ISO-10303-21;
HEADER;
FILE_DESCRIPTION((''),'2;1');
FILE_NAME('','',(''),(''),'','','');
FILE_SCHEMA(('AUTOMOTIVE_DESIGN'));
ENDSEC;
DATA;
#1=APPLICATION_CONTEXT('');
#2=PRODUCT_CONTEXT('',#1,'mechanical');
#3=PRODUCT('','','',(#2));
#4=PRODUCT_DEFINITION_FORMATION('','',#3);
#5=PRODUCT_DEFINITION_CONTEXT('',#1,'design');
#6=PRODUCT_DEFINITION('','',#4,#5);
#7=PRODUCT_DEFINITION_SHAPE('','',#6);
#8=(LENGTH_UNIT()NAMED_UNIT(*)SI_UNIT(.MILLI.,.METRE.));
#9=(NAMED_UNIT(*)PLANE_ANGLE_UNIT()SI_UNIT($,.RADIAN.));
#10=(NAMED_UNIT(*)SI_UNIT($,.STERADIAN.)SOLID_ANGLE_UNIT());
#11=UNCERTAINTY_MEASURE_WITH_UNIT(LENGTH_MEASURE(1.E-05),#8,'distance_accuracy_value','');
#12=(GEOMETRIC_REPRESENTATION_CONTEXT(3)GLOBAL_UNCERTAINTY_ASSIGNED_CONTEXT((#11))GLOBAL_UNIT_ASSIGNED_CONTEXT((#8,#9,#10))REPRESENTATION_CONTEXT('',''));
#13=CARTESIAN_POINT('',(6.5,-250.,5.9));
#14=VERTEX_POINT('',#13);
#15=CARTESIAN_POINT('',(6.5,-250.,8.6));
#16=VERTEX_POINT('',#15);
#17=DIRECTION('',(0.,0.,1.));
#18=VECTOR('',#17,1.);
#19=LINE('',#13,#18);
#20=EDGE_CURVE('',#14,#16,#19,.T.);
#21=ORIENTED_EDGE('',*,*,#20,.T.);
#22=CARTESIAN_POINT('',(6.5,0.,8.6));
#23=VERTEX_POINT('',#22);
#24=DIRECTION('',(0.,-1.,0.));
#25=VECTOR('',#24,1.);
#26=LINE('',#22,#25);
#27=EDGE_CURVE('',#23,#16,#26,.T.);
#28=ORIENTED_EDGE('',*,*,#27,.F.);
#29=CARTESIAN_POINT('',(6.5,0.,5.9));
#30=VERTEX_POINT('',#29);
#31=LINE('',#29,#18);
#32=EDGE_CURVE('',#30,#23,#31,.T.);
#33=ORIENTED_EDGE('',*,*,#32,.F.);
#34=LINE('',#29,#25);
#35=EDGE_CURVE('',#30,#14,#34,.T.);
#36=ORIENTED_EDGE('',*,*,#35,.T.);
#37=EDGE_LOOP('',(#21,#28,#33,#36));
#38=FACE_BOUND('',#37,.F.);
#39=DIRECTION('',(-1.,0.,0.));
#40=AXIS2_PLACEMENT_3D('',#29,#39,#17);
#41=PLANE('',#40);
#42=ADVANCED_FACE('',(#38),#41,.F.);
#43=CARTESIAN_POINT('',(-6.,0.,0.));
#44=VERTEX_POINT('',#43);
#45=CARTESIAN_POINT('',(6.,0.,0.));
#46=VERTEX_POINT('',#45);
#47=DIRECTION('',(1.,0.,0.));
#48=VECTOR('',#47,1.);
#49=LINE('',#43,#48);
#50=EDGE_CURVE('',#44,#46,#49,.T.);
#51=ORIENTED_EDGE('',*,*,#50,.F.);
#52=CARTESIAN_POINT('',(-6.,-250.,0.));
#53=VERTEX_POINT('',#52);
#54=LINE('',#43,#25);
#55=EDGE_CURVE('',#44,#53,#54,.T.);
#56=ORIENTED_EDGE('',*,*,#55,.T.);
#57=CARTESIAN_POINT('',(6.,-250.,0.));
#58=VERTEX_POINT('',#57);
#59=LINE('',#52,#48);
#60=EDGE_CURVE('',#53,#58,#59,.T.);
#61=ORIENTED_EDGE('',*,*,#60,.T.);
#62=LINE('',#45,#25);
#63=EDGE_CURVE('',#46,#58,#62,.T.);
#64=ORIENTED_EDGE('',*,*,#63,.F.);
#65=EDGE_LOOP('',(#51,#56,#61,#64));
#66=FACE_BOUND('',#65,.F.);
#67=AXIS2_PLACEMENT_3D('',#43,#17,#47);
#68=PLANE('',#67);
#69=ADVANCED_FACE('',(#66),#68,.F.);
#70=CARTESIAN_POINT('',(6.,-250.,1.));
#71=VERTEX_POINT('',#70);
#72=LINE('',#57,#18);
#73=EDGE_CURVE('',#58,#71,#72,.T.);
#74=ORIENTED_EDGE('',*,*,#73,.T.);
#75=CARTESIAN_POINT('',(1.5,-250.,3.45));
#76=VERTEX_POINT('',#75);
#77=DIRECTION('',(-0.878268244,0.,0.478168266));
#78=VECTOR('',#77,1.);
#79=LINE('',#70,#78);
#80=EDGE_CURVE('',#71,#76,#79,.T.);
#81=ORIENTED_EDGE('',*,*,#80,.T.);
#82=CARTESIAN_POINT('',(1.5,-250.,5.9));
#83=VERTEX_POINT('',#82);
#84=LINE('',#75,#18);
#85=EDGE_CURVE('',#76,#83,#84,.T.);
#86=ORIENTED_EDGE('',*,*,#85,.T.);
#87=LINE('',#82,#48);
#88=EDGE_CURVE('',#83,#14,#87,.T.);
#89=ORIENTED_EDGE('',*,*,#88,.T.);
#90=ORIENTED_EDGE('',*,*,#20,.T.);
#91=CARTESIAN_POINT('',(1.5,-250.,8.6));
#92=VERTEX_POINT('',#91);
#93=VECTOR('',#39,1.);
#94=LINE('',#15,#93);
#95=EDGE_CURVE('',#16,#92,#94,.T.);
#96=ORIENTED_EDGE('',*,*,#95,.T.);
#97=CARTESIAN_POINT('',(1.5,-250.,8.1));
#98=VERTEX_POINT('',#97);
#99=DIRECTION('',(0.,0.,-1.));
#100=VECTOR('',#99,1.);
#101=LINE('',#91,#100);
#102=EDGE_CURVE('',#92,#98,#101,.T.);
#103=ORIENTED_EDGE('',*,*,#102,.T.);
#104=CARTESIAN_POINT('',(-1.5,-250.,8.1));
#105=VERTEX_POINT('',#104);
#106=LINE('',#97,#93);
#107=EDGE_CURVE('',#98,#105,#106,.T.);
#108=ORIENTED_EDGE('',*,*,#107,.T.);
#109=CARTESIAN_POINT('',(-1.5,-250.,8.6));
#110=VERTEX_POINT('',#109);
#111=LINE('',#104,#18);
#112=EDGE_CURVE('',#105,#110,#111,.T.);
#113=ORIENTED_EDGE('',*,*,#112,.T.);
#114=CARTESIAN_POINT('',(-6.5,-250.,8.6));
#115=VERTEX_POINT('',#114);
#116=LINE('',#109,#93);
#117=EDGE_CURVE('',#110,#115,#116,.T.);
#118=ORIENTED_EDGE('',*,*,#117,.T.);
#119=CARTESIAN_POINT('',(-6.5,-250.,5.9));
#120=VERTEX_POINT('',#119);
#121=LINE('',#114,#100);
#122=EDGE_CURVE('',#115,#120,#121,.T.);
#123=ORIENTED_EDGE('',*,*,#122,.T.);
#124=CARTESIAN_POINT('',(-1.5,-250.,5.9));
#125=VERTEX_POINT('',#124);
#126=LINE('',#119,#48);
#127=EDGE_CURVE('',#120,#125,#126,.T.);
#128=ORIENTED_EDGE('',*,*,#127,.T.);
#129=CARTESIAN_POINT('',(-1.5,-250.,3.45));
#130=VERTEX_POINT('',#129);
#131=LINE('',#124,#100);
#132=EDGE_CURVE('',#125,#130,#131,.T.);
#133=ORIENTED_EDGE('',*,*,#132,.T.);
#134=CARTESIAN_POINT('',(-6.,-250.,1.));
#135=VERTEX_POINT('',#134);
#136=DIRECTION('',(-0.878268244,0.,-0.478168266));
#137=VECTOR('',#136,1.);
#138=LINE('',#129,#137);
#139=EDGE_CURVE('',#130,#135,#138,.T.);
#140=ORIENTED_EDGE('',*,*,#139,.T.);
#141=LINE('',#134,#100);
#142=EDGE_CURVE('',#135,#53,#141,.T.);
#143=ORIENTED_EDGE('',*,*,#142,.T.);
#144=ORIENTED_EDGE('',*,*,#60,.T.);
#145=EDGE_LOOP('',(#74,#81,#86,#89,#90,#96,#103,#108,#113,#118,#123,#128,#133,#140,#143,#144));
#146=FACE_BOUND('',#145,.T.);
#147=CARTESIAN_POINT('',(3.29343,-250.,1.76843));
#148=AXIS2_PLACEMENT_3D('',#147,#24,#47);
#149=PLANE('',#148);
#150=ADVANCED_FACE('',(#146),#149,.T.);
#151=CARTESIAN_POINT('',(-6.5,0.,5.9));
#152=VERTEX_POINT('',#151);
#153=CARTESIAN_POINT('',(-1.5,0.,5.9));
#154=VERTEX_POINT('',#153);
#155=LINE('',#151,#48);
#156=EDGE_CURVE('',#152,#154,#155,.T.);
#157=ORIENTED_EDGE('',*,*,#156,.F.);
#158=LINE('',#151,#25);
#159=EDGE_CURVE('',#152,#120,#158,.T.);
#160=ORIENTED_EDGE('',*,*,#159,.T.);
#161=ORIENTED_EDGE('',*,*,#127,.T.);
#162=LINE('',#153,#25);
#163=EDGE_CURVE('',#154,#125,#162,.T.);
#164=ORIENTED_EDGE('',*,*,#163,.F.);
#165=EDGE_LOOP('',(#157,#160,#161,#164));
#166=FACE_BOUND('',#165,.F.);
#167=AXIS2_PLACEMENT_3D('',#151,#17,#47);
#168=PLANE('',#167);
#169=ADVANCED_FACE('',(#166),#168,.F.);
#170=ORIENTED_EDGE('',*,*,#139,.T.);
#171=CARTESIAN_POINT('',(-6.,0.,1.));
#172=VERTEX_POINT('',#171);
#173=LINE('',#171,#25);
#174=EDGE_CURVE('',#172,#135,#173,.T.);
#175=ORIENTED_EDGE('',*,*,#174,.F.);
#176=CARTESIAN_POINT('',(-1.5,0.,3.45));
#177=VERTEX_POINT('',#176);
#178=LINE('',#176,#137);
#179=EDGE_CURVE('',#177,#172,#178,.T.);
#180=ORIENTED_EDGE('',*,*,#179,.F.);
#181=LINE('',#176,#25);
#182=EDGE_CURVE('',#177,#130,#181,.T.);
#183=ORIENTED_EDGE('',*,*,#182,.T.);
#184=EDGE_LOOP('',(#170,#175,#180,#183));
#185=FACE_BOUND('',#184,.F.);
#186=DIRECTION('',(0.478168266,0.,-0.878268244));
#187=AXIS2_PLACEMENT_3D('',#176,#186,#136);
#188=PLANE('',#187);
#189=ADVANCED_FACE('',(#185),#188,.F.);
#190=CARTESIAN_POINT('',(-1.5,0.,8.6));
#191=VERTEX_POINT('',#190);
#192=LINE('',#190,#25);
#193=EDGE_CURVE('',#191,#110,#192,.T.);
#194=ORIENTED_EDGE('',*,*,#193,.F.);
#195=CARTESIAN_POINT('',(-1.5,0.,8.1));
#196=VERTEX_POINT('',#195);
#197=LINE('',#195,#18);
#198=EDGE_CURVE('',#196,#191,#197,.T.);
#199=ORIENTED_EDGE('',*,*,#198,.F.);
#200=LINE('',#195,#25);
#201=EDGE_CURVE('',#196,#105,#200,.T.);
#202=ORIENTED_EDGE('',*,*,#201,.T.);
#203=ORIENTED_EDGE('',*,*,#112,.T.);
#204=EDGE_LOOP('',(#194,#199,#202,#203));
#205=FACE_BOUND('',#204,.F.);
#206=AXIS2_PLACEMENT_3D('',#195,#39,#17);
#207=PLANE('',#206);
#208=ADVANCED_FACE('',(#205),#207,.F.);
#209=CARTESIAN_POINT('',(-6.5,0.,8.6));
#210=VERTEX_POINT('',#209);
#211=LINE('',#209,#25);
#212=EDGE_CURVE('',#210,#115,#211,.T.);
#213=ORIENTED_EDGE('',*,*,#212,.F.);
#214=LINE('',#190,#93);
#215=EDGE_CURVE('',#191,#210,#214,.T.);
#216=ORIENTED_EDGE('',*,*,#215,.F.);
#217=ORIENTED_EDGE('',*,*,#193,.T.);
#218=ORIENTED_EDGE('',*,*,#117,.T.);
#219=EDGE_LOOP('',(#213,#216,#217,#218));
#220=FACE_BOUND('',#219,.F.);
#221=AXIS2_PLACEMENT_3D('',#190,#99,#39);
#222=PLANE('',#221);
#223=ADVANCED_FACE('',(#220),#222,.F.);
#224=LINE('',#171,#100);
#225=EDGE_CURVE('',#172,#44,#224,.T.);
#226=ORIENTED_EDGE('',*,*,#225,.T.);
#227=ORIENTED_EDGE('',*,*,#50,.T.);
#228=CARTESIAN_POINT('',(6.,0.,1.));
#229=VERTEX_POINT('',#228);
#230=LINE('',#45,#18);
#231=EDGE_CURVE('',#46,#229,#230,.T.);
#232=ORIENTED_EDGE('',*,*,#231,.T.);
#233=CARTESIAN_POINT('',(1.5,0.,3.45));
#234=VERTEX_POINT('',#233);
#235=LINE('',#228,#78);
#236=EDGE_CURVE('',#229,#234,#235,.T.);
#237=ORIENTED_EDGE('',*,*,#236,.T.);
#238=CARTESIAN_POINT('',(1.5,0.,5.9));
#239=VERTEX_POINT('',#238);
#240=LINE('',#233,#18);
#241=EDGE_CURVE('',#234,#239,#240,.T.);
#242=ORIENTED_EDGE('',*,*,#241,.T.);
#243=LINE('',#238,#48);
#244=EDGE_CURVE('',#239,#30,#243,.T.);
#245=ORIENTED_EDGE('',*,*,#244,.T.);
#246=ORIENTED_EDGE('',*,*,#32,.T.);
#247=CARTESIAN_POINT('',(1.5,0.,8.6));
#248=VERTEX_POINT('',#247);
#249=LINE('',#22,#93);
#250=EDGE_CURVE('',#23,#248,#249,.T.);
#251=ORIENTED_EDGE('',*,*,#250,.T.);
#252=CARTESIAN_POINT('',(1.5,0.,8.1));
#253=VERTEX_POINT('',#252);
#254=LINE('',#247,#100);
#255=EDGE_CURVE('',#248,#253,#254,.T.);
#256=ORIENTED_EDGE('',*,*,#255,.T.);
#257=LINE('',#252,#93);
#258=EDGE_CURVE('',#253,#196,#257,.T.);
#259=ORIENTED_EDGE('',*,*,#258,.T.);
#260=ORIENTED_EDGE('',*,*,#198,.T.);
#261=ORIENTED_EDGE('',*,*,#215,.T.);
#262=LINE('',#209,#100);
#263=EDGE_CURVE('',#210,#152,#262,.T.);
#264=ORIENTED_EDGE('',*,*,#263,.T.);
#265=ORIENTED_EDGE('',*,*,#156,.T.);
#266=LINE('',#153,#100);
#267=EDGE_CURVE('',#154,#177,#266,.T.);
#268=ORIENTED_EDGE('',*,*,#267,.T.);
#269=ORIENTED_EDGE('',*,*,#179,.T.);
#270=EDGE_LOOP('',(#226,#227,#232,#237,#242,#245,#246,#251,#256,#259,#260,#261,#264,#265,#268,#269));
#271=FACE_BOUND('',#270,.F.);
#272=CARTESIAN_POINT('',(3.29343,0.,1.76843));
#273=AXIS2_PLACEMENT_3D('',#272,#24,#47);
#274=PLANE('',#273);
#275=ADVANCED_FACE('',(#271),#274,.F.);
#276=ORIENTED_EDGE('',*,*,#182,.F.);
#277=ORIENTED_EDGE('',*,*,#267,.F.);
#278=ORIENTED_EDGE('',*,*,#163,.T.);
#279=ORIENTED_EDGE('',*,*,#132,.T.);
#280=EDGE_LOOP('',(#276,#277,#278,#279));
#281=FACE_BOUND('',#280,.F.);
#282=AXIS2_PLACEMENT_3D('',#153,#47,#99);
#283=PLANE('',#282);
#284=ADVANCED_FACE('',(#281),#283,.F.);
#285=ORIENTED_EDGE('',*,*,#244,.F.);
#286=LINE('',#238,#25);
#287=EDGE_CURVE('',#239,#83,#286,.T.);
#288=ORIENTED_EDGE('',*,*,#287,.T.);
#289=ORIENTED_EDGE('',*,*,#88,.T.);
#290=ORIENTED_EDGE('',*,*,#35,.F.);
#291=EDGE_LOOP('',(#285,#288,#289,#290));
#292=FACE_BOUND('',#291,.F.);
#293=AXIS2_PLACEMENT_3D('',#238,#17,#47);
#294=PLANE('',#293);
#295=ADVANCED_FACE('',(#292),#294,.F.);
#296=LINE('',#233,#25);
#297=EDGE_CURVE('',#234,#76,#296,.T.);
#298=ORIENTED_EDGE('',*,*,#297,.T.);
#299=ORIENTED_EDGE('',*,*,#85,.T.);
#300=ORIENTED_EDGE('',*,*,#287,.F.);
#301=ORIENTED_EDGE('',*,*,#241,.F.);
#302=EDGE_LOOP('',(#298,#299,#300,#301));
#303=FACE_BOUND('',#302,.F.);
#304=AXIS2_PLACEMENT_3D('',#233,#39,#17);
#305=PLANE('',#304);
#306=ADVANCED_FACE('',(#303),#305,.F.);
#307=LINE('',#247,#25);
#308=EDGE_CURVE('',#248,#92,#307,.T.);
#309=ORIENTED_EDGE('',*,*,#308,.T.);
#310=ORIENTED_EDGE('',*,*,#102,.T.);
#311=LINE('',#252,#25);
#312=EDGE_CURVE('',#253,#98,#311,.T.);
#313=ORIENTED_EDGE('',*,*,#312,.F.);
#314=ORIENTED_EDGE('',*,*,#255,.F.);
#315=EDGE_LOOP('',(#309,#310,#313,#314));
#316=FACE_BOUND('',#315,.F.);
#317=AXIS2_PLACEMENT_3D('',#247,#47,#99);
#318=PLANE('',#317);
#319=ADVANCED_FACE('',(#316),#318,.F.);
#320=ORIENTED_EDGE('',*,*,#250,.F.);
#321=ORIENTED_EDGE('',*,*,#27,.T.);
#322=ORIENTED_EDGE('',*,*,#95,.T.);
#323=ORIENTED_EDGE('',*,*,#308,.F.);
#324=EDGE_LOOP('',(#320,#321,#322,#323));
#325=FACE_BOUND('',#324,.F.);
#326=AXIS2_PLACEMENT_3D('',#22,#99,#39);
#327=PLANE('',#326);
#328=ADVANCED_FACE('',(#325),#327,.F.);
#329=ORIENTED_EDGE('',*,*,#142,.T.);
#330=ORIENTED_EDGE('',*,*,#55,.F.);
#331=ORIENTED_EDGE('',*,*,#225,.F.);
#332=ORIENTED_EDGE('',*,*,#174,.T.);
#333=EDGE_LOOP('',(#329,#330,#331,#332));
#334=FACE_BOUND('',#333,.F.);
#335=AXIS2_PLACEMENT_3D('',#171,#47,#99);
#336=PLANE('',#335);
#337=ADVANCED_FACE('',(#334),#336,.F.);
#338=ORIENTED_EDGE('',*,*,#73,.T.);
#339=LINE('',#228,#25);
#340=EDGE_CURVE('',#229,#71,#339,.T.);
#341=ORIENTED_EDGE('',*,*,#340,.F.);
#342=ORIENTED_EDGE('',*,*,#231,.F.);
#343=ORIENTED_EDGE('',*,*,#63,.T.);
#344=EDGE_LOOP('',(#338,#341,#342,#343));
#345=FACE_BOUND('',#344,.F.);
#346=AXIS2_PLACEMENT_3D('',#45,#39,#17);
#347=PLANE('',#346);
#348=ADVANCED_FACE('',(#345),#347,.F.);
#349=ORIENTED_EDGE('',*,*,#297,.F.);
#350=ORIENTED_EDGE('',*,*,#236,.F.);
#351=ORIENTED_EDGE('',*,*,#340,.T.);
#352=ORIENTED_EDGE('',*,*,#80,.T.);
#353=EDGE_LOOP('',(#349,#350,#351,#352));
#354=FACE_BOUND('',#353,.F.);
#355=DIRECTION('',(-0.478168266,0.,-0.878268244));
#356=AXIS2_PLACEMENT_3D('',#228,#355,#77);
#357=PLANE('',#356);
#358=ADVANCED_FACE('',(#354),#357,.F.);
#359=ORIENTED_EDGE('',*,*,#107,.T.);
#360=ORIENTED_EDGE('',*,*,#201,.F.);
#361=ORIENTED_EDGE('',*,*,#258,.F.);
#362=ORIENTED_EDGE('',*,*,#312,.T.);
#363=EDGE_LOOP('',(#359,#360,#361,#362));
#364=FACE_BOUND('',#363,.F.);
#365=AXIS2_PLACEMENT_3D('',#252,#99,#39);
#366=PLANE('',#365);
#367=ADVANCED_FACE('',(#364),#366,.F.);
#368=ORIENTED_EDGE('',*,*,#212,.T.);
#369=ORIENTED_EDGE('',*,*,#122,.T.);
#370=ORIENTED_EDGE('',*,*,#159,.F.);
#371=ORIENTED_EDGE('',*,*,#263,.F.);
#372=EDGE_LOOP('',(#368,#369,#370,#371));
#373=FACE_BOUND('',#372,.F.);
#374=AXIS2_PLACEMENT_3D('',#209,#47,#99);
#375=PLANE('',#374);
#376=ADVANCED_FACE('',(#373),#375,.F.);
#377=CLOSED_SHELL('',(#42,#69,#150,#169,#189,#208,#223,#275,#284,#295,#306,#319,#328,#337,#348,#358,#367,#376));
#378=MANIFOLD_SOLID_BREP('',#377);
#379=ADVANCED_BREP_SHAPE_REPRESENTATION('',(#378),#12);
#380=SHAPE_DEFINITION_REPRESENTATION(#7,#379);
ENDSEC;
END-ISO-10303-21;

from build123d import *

# Parameters (mm, degrees)
F1_DEPTH = 250


with BuildPart() as f1:
    # F0 (on Front) → F1 (new body)
    with BuildSketch(Plane.XZ):
        Polygon((1.5, 1), (6, 1), (1.5, 3.45), align=None)
        Polygon((-1.5, 3.45), (-6, 1), (-1.5, 1), align=None)
        Polygon((0, 0), (6, 0), (6, 1), (1.5, 1), (0, 1), align=None)
        Polygon((-6, 0), (0, 0), (0, 1), (-1.5, 1), (-6, 1), align=None)
        Polygon((-1.5, 1), (0, 1), (0, 5.9), (-1.5, 5.9), (-1.5, 3.45), align=None)
        Polygon((0, 5.9), (0, 1), (1.5, 1), (1.5, 3.45), (1.5, 5.9), align=None)
        Polygon((-1.5, 5.9), (0, 5.9), (0, 8.1), (-1.5, 8.1), (-1.5, 8.6), (-6.5, 8.6), (-6.5, 5.9), align=None)
        Polygon((0, 8.1), (0, 5.9), (1.5, 5.9), (6.5, 5.9), (6.5, 8.6), (1.5, 8.6), (1.5, 8.1), align=None)
    extrude(amount=F1_DEPTH)


solid = f1.part
